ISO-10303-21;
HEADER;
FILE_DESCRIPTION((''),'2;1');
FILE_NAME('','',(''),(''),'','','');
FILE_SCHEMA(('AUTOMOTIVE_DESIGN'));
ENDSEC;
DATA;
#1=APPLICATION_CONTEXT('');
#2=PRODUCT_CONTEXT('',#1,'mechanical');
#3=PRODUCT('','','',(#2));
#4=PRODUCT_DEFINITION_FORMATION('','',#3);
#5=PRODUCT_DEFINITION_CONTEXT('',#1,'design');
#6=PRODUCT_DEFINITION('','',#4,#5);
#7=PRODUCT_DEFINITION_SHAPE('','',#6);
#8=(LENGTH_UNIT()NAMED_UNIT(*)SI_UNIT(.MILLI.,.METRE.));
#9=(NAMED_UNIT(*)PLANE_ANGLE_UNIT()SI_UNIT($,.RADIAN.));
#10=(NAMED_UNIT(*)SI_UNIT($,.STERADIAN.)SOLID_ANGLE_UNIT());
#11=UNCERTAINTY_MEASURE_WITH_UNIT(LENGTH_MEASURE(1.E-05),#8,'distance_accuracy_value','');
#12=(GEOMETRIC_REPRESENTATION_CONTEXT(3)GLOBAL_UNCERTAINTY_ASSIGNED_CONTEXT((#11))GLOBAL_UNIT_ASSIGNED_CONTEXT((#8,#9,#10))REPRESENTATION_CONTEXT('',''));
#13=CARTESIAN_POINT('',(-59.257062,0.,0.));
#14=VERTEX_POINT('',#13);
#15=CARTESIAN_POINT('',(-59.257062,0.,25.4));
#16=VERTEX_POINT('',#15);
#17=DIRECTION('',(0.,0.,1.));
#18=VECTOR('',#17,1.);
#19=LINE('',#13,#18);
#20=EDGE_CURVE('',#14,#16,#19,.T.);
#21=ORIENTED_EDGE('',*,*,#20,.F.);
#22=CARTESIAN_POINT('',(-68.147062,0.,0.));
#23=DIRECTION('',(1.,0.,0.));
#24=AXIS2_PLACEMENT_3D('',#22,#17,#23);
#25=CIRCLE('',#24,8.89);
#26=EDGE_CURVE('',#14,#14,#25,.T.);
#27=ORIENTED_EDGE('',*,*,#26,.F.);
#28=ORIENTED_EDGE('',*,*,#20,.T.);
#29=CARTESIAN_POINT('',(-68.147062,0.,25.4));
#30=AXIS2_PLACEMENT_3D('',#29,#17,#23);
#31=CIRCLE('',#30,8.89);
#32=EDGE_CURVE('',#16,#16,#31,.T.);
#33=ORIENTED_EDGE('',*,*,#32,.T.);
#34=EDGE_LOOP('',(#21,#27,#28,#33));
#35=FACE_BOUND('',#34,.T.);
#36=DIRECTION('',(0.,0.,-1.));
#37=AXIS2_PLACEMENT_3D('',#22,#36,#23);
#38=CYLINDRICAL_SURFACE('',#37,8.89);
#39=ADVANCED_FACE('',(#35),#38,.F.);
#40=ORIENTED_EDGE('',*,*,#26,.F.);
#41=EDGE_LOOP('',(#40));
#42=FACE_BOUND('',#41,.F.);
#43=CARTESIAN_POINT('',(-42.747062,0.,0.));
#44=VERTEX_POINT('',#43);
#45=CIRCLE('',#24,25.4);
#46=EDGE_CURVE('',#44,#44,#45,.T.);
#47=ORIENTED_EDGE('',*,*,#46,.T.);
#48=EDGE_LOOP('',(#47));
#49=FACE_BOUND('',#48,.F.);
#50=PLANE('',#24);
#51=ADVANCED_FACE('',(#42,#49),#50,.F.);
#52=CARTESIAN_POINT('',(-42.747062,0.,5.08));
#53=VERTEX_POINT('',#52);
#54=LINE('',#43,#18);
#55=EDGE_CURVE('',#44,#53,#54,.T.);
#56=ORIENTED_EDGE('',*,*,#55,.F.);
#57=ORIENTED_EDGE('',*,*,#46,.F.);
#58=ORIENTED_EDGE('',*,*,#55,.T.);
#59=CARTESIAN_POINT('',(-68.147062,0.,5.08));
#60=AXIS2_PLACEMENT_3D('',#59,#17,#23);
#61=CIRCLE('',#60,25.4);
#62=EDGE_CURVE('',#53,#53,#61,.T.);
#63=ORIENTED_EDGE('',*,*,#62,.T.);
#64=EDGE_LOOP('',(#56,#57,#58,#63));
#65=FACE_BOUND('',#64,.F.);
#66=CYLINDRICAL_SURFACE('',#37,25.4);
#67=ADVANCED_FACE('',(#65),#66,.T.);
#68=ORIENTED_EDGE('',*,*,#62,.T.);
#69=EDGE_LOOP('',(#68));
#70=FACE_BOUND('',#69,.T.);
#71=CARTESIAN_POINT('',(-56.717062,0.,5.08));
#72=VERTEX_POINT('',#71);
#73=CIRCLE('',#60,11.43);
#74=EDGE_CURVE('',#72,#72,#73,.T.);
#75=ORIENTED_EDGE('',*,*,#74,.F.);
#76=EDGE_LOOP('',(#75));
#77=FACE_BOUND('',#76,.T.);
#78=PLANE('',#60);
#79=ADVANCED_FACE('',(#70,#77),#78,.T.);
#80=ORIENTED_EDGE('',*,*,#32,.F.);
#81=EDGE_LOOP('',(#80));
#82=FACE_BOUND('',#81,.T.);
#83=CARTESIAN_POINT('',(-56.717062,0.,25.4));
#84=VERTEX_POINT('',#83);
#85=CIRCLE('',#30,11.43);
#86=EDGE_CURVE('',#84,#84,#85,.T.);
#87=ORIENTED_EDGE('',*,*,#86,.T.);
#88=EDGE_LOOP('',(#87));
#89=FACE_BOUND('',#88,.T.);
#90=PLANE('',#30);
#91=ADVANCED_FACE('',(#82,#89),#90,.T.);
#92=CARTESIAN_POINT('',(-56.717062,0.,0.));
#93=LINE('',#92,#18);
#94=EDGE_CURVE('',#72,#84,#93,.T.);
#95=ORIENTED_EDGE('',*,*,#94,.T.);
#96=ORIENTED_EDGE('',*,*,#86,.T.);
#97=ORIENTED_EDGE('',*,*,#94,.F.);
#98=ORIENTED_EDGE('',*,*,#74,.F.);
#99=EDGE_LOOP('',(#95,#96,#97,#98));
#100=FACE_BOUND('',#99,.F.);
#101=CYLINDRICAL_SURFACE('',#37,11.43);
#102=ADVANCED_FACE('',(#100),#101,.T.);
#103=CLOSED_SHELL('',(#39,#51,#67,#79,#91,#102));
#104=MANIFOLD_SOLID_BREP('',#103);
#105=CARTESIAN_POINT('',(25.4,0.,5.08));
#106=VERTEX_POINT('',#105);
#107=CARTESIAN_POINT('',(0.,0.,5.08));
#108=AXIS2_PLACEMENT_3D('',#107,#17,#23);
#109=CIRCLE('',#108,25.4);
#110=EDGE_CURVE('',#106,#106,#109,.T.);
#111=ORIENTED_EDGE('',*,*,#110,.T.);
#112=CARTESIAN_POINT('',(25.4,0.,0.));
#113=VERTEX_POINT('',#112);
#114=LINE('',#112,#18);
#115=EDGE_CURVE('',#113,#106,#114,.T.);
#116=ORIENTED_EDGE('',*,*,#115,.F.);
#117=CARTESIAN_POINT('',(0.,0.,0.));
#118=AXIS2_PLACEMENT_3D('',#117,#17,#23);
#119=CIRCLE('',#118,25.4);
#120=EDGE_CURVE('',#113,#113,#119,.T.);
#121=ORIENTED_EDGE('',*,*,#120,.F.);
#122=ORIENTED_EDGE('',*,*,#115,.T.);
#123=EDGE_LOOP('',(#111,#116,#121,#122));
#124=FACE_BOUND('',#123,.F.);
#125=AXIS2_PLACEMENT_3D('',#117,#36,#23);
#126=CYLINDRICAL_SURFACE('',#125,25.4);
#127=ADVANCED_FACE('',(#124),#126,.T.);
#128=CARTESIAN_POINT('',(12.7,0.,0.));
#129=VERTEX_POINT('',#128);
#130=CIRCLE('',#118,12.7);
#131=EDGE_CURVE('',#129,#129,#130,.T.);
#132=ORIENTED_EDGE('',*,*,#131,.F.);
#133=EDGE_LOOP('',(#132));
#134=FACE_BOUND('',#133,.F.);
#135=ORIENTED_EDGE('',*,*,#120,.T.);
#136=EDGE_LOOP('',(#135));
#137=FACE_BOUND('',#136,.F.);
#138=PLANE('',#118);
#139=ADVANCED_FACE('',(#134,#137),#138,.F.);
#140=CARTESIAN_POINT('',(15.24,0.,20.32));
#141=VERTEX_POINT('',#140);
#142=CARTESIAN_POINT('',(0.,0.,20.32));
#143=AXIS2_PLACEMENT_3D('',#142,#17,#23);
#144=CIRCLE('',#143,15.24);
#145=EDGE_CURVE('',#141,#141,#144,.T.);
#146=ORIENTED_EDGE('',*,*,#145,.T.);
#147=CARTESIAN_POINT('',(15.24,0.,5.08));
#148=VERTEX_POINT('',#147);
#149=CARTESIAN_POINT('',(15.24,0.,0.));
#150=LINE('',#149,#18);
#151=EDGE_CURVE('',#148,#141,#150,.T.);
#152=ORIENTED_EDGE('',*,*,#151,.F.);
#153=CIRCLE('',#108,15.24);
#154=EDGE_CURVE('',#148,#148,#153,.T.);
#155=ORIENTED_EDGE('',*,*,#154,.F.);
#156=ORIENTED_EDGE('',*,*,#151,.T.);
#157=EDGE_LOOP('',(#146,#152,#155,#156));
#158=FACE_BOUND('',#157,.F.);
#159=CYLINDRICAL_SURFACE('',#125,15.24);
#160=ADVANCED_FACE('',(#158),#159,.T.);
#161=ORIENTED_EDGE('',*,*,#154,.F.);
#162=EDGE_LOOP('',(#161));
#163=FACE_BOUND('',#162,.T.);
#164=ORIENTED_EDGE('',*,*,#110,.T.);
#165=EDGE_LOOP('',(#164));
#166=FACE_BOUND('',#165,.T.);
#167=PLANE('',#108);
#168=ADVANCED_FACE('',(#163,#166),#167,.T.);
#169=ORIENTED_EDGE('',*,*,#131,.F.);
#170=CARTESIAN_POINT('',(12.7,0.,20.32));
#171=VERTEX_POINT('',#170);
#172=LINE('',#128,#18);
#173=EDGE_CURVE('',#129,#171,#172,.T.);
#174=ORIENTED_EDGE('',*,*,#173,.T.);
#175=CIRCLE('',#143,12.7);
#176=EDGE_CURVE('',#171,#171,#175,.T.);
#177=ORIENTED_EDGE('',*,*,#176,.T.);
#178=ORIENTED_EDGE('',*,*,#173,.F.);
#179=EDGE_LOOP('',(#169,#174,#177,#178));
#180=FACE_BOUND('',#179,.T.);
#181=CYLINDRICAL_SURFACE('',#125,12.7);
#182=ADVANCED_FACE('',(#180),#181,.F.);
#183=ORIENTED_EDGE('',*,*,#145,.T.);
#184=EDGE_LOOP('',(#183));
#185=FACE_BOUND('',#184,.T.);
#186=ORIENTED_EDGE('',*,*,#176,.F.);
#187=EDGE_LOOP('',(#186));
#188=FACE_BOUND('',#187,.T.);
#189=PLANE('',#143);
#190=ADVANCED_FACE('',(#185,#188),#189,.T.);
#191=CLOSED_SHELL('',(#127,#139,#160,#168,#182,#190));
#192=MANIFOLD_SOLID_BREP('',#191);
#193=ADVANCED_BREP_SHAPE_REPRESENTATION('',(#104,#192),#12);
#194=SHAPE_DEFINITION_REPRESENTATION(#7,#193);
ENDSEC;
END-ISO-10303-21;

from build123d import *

# Parameters (mm, degrees)
F0_R     = 25.4
F0_R_2   = 15.24
F1_DEPTH = 5.08
F0_R_3   = 12.7
F2_DEPTH = 20.32
F3_R     = 25.4
F3_R_2   = 11.43
F4_DEPTH = 5.08
F3_R_3   = 8.89
F5_DEPTH = 25.4


with BuildPart() as f1:
    # F0 (on Top) → F1 (new body)
    with BuildSketch(Plane.XY):
        Circle(F0_R)
        Circle(F0_R_2, mode=Mode.SUBTRACT)
    extrude(amount=F1_DEPTH)

    # F0 (on Top) → F2 (join)
    with BuildSketch(Plane.XY):
        Circle(F0_R_2)
        Circle(F0_R_3, mode=Mode.SUBTRACT)
    extrude(amount=F2_DEPTH)


with BuildPart() as f4:
    # F3 (on Top) → F4 (new body)
    with BuildSketch(Plane.XY):
        with Locations((-68.147062, 0)):
            Circle(F3_R)
        with Locations((-68.147062, 0)):
            Circle(F3_R_2, mode=Mode.SUBTRACT)
    extrude(amount=F4_DEPTH)

    # F3 (on Top) → F5 (join)
    with BuildSketch(Plane.XY):
        with Locations((-68.147062, 0)):
            Circle(F3_R_2)
        with Locations((-68.147062, 0)):
            Circle(F3_R_3, mode=Mode.SUBTRACT)
    extrude(amount=F5_DEPTH)


solid = Compound([f1.part, f4.part])
